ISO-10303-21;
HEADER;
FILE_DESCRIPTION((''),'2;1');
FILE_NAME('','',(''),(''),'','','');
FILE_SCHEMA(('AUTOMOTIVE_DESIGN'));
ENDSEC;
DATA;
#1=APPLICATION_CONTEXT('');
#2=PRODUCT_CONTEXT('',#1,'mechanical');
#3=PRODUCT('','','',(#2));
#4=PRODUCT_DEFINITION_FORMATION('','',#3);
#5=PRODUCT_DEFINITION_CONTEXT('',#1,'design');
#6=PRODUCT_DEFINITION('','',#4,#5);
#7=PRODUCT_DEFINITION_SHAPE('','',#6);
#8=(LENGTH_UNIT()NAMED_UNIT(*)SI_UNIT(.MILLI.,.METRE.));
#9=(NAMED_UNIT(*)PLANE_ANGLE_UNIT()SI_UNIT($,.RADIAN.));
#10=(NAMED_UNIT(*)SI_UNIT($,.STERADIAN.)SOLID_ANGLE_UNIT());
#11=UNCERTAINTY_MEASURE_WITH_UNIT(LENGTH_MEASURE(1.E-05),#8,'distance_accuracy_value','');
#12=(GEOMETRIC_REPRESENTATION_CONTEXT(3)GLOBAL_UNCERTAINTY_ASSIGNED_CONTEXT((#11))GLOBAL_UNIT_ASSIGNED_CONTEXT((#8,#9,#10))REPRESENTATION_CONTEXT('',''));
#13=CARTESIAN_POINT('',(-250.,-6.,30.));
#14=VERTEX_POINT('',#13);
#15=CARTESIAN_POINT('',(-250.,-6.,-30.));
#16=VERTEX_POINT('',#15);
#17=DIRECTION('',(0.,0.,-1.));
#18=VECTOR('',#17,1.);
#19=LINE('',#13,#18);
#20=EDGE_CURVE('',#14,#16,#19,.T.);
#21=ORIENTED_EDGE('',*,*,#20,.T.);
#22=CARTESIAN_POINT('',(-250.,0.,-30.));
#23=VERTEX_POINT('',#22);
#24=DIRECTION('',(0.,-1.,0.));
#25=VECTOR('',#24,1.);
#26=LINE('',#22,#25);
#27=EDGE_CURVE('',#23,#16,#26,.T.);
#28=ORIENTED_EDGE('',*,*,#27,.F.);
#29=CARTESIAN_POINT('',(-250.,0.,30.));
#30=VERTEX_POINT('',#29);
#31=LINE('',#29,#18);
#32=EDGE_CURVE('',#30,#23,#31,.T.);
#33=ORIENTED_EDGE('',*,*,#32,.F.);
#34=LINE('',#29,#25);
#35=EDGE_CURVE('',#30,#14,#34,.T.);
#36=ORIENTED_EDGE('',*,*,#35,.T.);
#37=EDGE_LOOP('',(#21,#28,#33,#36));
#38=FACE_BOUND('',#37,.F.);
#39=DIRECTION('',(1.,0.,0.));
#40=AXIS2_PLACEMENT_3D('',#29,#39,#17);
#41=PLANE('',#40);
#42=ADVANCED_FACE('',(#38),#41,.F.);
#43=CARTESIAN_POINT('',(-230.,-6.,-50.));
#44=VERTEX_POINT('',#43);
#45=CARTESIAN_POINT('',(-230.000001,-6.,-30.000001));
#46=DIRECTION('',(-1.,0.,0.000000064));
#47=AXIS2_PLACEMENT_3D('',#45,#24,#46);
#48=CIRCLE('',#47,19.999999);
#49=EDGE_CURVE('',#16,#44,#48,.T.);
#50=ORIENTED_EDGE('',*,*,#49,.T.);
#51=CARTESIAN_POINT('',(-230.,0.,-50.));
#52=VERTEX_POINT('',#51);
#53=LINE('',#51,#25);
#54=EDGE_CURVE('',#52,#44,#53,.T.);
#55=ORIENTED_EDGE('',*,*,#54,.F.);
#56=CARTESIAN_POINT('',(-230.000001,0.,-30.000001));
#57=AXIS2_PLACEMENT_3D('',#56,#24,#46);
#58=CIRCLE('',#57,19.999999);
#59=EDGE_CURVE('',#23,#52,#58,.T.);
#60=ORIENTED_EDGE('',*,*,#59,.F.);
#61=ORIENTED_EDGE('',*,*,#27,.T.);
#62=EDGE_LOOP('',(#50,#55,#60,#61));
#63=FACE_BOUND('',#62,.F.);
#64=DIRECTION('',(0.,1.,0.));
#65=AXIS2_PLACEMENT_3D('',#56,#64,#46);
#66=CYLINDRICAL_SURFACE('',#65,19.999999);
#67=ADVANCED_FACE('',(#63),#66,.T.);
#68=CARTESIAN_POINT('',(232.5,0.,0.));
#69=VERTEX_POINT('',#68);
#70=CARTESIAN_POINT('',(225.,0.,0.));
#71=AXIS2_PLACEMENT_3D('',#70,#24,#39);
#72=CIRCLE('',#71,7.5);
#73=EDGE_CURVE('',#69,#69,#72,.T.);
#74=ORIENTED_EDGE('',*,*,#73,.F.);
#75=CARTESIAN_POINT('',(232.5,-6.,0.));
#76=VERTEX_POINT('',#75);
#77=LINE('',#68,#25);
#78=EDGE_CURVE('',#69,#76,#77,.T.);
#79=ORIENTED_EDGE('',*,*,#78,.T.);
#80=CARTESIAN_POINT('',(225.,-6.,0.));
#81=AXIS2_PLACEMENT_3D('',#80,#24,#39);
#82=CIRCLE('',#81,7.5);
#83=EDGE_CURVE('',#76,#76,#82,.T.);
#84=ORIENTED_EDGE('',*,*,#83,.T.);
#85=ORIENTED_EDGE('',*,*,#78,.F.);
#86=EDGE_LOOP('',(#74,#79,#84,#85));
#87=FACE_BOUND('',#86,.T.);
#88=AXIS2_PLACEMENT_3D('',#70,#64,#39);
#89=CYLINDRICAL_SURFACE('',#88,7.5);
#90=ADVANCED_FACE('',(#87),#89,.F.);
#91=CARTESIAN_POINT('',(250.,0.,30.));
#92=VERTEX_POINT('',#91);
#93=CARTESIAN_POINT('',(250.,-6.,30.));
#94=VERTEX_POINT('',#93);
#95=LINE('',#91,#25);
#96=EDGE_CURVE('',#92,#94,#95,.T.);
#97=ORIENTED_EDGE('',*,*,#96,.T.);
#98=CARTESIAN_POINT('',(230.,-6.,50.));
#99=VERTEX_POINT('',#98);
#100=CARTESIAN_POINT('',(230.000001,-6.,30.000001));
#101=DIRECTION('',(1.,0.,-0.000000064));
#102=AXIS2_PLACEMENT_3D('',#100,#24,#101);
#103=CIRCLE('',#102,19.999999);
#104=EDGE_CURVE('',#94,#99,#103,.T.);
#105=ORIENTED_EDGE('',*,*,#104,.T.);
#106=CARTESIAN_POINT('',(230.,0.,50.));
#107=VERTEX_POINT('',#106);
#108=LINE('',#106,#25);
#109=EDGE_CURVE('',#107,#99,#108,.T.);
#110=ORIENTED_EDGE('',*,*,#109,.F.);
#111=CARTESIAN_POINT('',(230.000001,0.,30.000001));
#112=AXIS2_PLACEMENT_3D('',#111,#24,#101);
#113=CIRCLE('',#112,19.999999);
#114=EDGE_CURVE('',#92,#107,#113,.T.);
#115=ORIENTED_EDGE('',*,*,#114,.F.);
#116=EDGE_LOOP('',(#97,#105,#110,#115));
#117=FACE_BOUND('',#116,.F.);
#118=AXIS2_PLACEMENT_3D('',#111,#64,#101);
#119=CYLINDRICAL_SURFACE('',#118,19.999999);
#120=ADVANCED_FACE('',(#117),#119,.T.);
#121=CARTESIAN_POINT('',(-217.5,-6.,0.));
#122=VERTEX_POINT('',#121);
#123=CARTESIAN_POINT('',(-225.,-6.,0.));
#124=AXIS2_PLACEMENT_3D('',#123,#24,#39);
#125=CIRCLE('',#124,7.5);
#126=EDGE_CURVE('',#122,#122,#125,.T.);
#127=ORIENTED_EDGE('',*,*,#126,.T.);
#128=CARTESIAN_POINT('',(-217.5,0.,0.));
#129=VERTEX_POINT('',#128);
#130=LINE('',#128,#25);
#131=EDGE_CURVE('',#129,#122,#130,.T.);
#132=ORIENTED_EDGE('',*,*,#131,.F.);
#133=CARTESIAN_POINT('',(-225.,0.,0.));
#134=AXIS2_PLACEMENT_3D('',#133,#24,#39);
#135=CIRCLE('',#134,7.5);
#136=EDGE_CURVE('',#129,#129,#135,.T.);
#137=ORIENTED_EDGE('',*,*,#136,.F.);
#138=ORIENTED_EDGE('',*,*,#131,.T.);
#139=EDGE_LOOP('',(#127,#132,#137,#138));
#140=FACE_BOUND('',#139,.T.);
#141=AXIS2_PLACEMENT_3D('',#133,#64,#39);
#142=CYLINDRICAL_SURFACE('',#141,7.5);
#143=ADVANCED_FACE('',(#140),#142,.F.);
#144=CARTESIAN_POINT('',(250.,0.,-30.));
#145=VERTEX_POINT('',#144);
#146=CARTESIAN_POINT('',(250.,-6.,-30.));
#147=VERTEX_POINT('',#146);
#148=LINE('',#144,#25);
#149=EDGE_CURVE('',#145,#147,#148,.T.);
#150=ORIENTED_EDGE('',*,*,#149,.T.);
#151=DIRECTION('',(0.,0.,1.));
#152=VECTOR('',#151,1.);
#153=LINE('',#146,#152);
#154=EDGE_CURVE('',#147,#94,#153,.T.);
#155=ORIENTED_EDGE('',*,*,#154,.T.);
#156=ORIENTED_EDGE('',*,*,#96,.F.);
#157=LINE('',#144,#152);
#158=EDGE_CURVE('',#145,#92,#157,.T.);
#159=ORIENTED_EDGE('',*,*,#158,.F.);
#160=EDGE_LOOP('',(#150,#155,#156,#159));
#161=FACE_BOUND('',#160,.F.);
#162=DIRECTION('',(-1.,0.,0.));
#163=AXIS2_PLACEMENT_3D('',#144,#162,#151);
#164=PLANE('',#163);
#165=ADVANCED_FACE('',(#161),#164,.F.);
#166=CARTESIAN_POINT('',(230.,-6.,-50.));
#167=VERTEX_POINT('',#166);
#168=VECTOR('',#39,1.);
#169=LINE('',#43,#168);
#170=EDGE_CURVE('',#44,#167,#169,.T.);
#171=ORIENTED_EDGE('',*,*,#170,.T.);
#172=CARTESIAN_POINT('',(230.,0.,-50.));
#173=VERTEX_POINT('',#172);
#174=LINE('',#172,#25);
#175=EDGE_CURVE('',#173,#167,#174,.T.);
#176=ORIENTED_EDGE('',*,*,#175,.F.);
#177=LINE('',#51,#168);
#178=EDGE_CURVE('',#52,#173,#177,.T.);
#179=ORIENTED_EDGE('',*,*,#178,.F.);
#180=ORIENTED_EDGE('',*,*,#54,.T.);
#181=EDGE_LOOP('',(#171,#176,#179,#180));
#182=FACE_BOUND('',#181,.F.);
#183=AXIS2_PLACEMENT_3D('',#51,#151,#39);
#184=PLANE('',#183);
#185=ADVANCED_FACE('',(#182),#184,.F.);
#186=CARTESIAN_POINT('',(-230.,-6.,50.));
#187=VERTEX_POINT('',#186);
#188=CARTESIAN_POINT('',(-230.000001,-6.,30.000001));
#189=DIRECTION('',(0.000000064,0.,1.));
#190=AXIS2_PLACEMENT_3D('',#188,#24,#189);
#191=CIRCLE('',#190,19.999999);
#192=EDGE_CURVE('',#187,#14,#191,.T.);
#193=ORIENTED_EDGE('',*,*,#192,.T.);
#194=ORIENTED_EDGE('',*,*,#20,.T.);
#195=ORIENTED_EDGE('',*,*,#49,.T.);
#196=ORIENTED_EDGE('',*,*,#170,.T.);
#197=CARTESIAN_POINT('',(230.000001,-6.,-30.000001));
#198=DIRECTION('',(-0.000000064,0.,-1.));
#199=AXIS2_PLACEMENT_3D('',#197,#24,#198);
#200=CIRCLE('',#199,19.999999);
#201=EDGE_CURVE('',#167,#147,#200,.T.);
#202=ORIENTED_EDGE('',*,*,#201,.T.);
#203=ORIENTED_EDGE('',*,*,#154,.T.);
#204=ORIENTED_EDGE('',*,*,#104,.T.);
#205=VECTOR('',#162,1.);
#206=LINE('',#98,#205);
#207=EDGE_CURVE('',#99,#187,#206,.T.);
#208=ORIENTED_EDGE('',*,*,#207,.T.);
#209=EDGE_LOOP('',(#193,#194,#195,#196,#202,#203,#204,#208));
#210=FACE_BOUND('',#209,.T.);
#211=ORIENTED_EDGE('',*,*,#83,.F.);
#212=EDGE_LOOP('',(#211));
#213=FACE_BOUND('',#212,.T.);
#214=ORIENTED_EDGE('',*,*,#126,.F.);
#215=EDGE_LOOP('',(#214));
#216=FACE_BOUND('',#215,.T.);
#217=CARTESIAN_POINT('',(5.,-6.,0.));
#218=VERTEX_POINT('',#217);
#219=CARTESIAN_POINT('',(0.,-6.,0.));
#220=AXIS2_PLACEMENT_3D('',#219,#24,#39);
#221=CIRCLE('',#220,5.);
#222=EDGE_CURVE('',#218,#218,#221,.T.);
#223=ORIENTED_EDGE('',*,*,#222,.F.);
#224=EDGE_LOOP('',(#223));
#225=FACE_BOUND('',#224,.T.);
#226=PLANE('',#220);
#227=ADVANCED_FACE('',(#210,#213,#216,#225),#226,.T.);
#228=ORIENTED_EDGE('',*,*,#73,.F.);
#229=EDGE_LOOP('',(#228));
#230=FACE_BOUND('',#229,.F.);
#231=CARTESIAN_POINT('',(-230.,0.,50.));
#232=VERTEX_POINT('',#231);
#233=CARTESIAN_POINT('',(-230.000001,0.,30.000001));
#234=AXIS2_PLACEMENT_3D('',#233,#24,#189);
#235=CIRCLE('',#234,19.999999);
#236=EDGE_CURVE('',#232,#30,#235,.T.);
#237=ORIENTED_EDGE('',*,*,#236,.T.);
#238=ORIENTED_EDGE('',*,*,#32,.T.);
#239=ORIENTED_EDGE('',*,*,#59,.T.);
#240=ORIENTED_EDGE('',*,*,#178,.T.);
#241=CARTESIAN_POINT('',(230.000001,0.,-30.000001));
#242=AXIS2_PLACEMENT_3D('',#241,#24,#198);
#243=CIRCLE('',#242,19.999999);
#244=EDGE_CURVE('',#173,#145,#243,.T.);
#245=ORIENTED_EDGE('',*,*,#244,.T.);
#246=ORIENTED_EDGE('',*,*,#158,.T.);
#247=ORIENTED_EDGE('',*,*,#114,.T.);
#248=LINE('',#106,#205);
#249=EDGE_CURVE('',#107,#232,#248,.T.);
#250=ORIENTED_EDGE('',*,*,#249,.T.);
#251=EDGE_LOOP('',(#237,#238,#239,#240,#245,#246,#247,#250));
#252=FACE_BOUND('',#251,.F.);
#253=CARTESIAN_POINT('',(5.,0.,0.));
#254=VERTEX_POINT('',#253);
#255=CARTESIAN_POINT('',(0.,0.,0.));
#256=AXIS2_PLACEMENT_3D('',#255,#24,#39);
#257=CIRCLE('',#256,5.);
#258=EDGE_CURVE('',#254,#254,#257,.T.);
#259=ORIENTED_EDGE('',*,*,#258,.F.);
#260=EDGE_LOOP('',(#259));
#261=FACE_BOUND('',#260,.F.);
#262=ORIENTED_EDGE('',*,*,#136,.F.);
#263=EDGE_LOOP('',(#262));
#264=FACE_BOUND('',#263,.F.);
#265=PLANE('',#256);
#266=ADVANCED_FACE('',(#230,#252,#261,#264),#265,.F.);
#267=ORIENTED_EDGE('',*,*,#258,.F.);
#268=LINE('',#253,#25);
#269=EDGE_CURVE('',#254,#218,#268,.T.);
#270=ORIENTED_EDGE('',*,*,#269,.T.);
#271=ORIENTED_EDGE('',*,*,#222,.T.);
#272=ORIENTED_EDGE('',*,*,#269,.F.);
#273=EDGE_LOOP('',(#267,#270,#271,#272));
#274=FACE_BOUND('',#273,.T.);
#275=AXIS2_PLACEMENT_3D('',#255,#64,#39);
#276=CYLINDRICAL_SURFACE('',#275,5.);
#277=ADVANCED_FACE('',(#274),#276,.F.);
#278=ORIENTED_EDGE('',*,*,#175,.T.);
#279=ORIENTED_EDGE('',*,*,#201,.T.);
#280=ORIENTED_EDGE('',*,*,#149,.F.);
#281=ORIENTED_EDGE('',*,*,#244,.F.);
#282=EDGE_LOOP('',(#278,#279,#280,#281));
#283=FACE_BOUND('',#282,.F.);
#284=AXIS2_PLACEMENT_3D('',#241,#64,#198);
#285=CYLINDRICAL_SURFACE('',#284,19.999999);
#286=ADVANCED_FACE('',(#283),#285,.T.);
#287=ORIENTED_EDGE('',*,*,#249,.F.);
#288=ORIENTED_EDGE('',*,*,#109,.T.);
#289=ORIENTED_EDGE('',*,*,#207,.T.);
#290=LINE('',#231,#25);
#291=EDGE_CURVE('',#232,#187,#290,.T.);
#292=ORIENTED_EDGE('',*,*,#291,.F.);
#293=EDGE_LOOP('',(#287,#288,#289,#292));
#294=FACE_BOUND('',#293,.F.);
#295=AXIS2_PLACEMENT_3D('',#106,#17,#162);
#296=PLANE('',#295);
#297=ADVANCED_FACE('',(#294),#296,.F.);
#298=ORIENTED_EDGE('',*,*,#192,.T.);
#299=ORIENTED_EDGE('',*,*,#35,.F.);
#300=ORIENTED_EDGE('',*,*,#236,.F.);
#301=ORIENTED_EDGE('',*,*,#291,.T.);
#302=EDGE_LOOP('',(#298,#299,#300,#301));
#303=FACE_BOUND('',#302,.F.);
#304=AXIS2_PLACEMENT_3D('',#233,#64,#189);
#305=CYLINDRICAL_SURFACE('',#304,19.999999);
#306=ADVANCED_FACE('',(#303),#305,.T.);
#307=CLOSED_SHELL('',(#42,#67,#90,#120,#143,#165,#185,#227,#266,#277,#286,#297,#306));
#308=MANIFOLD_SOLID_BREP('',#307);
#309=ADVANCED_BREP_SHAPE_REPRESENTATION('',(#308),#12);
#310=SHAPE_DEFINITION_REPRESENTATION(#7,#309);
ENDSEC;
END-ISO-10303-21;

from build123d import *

# Parameters (mm, degrees)
F0_R     = 7.5
F0_R_2   = 5
F1_DEPTH = 6


with BuildPart() as f1:
    # F0 (on Front) → F1 (new body)
    with BuildSketch(Plane.XZ):
        with BuildLine():
            ThreePointArc((-230, 50), (-244.142136, 44.142136), (-250, 30))
            Line((-250, 30), (-250, -30))
            ThreePointArc((-250, -30), (-244.142136, -44.142136), (-230, -50))
            Line((-230, -50), (230, -50))
            ThreePointArc((230, -50), (244.142136, -44.142136), (250, -30))
            Line((250, -30), (250, 30))
            ThreePointArc((250, 30), (244.142136, 44.142136), (230, 50))
            Line((230, 50), (-230, 50))
        make_face()
        with Locations((-225, 0)):
            Circle(F0_R, mode=Mode.SUBTRACT)
        Circle(F0_R_2, mode=Mode.SUBTRACT)
        with Locations((225, 0)):
            Circle(F0_R, mode=Mode.SUBTRACT)
    extrude(amount=F1_DEPTH)


solid = f1.part
